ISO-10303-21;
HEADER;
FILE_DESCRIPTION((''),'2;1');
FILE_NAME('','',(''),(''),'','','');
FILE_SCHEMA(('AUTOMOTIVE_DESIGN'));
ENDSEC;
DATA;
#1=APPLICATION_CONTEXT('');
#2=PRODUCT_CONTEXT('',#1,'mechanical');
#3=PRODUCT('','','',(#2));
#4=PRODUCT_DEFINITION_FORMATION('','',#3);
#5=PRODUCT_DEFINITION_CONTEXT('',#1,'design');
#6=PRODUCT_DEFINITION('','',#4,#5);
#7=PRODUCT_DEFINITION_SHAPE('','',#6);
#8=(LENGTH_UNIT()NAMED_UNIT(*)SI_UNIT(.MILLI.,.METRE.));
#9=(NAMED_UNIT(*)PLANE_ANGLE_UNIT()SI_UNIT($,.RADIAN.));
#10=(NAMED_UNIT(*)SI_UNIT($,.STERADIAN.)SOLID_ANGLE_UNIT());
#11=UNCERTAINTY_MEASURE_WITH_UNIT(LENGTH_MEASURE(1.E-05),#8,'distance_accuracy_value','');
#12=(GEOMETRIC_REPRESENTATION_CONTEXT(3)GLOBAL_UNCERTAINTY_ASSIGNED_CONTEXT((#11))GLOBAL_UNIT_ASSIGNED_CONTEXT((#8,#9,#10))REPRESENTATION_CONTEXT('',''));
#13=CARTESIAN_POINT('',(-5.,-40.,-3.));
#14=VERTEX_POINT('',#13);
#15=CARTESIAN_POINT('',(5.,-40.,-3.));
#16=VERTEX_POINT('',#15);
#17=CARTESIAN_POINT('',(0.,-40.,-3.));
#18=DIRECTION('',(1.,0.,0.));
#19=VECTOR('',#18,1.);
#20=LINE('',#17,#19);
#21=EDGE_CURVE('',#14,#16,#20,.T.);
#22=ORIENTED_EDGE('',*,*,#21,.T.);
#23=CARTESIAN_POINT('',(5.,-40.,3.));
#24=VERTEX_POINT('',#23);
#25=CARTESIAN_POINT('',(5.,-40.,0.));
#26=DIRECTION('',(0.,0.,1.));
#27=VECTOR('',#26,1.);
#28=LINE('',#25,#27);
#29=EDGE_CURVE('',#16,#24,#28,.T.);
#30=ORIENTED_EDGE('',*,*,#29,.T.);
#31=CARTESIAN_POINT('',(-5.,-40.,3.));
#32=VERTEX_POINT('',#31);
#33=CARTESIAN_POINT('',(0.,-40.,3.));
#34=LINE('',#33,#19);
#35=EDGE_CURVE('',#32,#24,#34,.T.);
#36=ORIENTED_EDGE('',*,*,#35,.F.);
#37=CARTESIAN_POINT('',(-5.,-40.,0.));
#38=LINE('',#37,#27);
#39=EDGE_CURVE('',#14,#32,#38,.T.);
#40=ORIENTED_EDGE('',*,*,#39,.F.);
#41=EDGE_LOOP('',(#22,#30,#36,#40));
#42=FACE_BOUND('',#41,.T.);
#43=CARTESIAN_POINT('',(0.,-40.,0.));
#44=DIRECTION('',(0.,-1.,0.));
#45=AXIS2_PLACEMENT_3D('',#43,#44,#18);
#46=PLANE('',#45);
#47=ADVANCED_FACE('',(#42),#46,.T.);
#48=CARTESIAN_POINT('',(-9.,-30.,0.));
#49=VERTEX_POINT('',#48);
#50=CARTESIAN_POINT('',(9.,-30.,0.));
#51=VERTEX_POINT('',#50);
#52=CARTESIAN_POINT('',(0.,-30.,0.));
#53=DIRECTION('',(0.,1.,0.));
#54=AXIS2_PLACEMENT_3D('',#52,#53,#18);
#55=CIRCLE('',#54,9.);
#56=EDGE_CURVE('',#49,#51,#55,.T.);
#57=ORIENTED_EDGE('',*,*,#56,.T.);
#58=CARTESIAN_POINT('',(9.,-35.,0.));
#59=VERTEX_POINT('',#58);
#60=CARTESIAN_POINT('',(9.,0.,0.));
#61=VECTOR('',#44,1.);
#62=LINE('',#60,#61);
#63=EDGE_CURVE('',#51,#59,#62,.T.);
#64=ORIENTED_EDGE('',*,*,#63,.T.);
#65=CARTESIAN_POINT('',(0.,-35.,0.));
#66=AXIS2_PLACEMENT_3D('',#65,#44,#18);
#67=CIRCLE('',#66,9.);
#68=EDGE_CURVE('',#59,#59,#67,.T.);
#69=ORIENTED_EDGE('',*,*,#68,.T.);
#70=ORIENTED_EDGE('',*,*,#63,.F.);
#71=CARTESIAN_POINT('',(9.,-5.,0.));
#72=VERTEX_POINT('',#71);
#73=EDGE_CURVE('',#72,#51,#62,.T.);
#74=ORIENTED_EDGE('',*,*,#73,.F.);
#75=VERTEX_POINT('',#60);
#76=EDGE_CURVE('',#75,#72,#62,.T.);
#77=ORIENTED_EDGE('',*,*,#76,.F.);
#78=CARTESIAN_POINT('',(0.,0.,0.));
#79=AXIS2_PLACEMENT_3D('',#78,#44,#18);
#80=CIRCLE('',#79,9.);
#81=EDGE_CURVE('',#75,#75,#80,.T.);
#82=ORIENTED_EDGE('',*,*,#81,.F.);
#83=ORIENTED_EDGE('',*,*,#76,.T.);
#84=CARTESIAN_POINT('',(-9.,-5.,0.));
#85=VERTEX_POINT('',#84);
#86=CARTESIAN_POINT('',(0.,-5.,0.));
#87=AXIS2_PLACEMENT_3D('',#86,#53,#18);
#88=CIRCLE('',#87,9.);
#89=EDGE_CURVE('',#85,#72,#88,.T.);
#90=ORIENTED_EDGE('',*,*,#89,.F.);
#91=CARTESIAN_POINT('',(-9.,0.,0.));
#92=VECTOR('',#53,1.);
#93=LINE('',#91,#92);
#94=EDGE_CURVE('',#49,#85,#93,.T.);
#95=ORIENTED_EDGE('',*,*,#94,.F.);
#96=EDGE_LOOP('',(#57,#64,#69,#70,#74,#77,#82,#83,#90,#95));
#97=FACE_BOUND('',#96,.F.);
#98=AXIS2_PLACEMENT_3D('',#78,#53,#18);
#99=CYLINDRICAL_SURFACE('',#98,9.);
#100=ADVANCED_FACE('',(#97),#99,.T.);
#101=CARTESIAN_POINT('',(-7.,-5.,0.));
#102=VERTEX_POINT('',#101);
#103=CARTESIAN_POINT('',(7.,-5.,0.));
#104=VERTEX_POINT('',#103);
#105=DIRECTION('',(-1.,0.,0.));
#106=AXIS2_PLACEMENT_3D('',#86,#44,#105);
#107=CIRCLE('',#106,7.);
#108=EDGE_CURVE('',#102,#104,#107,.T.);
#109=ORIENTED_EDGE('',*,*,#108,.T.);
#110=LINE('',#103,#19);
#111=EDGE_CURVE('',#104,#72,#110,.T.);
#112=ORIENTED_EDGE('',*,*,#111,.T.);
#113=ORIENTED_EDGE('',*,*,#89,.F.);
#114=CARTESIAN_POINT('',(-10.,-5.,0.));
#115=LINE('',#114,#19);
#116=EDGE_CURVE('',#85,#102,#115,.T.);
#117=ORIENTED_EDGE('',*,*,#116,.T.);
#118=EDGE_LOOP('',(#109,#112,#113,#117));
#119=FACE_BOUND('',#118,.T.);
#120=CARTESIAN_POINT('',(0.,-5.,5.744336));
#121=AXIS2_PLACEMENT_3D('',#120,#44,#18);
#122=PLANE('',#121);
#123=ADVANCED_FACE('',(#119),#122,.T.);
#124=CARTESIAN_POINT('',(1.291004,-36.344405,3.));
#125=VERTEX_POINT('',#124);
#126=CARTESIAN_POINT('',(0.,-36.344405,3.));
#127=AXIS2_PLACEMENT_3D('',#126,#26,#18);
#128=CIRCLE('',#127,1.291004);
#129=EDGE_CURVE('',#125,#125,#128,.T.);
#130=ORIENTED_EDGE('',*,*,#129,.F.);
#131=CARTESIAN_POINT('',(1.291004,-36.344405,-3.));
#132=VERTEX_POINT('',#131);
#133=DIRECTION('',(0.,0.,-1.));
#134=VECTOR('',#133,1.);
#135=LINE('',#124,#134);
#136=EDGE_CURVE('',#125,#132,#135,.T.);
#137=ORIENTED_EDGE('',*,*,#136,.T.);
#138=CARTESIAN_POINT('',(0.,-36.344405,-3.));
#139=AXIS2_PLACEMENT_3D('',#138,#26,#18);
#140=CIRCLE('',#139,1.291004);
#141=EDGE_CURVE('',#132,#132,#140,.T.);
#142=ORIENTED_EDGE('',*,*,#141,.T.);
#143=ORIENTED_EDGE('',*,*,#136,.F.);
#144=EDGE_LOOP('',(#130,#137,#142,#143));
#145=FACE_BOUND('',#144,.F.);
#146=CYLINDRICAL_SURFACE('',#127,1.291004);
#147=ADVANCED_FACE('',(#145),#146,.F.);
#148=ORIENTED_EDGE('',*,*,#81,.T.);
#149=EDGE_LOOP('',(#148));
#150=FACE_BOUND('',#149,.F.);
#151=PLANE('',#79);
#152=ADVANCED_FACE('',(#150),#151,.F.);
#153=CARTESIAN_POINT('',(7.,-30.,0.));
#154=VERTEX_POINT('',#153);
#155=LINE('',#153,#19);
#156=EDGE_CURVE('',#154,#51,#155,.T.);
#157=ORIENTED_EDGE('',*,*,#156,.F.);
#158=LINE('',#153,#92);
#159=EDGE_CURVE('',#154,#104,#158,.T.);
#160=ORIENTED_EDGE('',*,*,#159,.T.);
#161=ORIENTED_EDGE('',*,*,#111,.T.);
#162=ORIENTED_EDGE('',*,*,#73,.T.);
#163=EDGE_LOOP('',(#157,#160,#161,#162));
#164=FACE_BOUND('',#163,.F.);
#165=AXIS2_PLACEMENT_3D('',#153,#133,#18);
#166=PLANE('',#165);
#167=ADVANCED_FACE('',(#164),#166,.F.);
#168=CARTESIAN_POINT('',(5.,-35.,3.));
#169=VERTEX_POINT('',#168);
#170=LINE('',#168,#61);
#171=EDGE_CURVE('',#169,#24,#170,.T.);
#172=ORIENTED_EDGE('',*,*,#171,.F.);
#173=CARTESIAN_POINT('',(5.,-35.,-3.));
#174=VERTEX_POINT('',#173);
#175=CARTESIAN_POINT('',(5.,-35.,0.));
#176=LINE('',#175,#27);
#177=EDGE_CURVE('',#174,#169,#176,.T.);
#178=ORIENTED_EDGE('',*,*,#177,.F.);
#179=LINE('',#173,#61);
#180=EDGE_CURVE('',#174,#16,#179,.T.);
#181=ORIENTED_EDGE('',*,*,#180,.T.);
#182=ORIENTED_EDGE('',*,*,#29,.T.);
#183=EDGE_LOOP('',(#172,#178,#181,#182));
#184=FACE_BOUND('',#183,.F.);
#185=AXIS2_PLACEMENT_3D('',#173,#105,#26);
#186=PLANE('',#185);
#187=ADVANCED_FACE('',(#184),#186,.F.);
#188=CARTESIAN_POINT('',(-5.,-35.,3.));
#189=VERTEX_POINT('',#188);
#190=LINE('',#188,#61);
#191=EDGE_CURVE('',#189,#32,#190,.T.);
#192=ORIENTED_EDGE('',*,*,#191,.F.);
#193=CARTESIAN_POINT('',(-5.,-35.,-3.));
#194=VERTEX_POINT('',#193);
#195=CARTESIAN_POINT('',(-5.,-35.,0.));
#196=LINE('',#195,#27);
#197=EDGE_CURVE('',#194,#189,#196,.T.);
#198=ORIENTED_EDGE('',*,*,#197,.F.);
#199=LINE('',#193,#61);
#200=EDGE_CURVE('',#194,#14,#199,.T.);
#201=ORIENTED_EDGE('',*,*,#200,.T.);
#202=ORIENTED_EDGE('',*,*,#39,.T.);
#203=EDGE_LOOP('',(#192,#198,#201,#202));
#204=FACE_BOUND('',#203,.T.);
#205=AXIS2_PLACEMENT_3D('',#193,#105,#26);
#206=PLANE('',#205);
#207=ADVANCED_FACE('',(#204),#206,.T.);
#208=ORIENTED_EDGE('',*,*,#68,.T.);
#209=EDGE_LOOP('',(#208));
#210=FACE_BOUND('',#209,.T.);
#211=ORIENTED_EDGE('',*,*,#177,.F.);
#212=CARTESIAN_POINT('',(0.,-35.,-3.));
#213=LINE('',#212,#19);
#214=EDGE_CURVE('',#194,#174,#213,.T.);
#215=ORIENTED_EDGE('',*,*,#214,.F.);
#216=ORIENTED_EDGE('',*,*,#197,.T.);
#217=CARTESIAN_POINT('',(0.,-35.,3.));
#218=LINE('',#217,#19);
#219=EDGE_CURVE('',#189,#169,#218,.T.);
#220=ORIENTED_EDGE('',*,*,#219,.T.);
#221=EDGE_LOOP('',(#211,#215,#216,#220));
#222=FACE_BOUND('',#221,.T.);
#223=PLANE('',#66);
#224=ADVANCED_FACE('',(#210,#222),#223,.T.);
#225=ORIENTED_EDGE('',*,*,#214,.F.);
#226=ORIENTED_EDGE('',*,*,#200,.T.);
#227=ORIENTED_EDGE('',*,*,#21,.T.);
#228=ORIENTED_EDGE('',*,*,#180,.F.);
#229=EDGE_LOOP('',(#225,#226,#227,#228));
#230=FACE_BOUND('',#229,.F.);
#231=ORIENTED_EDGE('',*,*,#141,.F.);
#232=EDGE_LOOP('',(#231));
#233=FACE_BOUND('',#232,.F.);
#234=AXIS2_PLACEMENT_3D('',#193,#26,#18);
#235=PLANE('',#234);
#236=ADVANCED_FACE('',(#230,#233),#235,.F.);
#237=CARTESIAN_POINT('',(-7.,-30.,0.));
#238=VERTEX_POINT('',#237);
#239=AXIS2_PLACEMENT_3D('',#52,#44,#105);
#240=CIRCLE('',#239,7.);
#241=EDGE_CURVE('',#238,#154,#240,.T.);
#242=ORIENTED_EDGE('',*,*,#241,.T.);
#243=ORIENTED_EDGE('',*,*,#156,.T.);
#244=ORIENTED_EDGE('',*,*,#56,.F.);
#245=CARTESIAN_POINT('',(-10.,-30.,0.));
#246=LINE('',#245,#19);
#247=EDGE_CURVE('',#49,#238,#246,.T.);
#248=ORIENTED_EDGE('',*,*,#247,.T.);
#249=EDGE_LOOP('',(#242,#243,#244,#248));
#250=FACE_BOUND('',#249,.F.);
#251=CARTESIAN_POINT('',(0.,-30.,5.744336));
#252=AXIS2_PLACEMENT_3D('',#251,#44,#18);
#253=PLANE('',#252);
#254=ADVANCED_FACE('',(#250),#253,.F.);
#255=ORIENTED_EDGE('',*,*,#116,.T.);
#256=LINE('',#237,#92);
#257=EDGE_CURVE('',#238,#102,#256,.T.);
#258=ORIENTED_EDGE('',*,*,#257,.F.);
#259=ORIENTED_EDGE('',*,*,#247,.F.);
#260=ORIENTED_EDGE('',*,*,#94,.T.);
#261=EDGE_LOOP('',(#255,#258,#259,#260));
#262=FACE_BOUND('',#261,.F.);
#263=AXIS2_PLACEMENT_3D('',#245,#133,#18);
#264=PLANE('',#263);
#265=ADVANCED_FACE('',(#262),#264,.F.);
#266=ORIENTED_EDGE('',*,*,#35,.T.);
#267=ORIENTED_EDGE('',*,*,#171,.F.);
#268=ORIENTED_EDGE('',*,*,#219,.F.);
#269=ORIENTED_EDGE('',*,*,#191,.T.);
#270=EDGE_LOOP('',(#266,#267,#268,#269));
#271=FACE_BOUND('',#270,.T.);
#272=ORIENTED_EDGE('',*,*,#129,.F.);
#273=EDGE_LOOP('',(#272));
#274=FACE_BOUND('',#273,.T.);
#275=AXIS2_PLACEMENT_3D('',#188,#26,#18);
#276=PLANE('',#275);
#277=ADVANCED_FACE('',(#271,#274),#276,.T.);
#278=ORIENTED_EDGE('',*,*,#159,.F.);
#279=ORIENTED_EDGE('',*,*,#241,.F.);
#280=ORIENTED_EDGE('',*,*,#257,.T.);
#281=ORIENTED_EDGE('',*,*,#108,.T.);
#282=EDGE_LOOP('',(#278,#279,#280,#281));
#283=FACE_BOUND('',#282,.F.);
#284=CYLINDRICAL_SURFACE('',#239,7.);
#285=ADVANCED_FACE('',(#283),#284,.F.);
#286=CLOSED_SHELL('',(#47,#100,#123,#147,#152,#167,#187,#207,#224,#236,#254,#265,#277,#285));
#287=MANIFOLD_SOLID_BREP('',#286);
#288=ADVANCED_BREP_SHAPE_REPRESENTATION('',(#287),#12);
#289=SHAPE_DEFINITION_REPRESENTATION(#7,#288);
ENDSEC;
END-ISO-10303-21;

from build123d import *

# Parameters (mm, degrees)
F0_R     = 9
F1_DEPTH = 35
F4_DEPTH = 25
F5_W     = 10
F5_H     = 6
F6_DEPTH = 5
F7_R     = 1.2910039075
F8_DEPTH = 25


with BuildPart() as f1:
    # F0 (on Front) → F1 (new body)
    with BuildSketch(Plane.XZ):
        Circle(F0_R)
    extrude(amount=F1_DEPTH)

    # F3 (on offset) → F4 (cut)
    with BuildSketch(Plane.XZ.offset(30)):
        with BuildLine():
            ThreePointArc((-7, 0), (0, 7), (7, 0))
            Line((7, 0), (10, 0))
            Line((10, 0), (10, 10))
            Line((10, 10), (-10, 10))
            Line((-10, 10), (-10, 0))
            Line((-10, 0), (-7, 0))
        make_face()
        with BuildLine():
            ThreePointArc((-7, 0), (0, -7), (7, 0))
            Line((7, 0), (-7, 0))
        make_face()
        with BuildLine():
            Line((-7, 0), (7, 0))
            ThreePointArc((7, 0), (0, 7), (-7, 0))
        make_face()
    extrude(amount=-F4_DEPTH, mode=Mode.SUBTRACT)

    # F5 (on face) → F6 (join)
    with BuildSketch(Plane.XZ.offset(35)):
        Rectangle(F5_W, F5_H)
    extrude(amount=F6_DEPTH)

    # F7 (on face) → F8 (cut)
    with BuildSketch(Plane.XY.offset(3)):
        with Locations((0, -36.3444052637)):
            Circle(F7_R)
    extrude(amount=-F8_DEPTH, mode=Mode.SUBTRACT)


solid = f1.part
